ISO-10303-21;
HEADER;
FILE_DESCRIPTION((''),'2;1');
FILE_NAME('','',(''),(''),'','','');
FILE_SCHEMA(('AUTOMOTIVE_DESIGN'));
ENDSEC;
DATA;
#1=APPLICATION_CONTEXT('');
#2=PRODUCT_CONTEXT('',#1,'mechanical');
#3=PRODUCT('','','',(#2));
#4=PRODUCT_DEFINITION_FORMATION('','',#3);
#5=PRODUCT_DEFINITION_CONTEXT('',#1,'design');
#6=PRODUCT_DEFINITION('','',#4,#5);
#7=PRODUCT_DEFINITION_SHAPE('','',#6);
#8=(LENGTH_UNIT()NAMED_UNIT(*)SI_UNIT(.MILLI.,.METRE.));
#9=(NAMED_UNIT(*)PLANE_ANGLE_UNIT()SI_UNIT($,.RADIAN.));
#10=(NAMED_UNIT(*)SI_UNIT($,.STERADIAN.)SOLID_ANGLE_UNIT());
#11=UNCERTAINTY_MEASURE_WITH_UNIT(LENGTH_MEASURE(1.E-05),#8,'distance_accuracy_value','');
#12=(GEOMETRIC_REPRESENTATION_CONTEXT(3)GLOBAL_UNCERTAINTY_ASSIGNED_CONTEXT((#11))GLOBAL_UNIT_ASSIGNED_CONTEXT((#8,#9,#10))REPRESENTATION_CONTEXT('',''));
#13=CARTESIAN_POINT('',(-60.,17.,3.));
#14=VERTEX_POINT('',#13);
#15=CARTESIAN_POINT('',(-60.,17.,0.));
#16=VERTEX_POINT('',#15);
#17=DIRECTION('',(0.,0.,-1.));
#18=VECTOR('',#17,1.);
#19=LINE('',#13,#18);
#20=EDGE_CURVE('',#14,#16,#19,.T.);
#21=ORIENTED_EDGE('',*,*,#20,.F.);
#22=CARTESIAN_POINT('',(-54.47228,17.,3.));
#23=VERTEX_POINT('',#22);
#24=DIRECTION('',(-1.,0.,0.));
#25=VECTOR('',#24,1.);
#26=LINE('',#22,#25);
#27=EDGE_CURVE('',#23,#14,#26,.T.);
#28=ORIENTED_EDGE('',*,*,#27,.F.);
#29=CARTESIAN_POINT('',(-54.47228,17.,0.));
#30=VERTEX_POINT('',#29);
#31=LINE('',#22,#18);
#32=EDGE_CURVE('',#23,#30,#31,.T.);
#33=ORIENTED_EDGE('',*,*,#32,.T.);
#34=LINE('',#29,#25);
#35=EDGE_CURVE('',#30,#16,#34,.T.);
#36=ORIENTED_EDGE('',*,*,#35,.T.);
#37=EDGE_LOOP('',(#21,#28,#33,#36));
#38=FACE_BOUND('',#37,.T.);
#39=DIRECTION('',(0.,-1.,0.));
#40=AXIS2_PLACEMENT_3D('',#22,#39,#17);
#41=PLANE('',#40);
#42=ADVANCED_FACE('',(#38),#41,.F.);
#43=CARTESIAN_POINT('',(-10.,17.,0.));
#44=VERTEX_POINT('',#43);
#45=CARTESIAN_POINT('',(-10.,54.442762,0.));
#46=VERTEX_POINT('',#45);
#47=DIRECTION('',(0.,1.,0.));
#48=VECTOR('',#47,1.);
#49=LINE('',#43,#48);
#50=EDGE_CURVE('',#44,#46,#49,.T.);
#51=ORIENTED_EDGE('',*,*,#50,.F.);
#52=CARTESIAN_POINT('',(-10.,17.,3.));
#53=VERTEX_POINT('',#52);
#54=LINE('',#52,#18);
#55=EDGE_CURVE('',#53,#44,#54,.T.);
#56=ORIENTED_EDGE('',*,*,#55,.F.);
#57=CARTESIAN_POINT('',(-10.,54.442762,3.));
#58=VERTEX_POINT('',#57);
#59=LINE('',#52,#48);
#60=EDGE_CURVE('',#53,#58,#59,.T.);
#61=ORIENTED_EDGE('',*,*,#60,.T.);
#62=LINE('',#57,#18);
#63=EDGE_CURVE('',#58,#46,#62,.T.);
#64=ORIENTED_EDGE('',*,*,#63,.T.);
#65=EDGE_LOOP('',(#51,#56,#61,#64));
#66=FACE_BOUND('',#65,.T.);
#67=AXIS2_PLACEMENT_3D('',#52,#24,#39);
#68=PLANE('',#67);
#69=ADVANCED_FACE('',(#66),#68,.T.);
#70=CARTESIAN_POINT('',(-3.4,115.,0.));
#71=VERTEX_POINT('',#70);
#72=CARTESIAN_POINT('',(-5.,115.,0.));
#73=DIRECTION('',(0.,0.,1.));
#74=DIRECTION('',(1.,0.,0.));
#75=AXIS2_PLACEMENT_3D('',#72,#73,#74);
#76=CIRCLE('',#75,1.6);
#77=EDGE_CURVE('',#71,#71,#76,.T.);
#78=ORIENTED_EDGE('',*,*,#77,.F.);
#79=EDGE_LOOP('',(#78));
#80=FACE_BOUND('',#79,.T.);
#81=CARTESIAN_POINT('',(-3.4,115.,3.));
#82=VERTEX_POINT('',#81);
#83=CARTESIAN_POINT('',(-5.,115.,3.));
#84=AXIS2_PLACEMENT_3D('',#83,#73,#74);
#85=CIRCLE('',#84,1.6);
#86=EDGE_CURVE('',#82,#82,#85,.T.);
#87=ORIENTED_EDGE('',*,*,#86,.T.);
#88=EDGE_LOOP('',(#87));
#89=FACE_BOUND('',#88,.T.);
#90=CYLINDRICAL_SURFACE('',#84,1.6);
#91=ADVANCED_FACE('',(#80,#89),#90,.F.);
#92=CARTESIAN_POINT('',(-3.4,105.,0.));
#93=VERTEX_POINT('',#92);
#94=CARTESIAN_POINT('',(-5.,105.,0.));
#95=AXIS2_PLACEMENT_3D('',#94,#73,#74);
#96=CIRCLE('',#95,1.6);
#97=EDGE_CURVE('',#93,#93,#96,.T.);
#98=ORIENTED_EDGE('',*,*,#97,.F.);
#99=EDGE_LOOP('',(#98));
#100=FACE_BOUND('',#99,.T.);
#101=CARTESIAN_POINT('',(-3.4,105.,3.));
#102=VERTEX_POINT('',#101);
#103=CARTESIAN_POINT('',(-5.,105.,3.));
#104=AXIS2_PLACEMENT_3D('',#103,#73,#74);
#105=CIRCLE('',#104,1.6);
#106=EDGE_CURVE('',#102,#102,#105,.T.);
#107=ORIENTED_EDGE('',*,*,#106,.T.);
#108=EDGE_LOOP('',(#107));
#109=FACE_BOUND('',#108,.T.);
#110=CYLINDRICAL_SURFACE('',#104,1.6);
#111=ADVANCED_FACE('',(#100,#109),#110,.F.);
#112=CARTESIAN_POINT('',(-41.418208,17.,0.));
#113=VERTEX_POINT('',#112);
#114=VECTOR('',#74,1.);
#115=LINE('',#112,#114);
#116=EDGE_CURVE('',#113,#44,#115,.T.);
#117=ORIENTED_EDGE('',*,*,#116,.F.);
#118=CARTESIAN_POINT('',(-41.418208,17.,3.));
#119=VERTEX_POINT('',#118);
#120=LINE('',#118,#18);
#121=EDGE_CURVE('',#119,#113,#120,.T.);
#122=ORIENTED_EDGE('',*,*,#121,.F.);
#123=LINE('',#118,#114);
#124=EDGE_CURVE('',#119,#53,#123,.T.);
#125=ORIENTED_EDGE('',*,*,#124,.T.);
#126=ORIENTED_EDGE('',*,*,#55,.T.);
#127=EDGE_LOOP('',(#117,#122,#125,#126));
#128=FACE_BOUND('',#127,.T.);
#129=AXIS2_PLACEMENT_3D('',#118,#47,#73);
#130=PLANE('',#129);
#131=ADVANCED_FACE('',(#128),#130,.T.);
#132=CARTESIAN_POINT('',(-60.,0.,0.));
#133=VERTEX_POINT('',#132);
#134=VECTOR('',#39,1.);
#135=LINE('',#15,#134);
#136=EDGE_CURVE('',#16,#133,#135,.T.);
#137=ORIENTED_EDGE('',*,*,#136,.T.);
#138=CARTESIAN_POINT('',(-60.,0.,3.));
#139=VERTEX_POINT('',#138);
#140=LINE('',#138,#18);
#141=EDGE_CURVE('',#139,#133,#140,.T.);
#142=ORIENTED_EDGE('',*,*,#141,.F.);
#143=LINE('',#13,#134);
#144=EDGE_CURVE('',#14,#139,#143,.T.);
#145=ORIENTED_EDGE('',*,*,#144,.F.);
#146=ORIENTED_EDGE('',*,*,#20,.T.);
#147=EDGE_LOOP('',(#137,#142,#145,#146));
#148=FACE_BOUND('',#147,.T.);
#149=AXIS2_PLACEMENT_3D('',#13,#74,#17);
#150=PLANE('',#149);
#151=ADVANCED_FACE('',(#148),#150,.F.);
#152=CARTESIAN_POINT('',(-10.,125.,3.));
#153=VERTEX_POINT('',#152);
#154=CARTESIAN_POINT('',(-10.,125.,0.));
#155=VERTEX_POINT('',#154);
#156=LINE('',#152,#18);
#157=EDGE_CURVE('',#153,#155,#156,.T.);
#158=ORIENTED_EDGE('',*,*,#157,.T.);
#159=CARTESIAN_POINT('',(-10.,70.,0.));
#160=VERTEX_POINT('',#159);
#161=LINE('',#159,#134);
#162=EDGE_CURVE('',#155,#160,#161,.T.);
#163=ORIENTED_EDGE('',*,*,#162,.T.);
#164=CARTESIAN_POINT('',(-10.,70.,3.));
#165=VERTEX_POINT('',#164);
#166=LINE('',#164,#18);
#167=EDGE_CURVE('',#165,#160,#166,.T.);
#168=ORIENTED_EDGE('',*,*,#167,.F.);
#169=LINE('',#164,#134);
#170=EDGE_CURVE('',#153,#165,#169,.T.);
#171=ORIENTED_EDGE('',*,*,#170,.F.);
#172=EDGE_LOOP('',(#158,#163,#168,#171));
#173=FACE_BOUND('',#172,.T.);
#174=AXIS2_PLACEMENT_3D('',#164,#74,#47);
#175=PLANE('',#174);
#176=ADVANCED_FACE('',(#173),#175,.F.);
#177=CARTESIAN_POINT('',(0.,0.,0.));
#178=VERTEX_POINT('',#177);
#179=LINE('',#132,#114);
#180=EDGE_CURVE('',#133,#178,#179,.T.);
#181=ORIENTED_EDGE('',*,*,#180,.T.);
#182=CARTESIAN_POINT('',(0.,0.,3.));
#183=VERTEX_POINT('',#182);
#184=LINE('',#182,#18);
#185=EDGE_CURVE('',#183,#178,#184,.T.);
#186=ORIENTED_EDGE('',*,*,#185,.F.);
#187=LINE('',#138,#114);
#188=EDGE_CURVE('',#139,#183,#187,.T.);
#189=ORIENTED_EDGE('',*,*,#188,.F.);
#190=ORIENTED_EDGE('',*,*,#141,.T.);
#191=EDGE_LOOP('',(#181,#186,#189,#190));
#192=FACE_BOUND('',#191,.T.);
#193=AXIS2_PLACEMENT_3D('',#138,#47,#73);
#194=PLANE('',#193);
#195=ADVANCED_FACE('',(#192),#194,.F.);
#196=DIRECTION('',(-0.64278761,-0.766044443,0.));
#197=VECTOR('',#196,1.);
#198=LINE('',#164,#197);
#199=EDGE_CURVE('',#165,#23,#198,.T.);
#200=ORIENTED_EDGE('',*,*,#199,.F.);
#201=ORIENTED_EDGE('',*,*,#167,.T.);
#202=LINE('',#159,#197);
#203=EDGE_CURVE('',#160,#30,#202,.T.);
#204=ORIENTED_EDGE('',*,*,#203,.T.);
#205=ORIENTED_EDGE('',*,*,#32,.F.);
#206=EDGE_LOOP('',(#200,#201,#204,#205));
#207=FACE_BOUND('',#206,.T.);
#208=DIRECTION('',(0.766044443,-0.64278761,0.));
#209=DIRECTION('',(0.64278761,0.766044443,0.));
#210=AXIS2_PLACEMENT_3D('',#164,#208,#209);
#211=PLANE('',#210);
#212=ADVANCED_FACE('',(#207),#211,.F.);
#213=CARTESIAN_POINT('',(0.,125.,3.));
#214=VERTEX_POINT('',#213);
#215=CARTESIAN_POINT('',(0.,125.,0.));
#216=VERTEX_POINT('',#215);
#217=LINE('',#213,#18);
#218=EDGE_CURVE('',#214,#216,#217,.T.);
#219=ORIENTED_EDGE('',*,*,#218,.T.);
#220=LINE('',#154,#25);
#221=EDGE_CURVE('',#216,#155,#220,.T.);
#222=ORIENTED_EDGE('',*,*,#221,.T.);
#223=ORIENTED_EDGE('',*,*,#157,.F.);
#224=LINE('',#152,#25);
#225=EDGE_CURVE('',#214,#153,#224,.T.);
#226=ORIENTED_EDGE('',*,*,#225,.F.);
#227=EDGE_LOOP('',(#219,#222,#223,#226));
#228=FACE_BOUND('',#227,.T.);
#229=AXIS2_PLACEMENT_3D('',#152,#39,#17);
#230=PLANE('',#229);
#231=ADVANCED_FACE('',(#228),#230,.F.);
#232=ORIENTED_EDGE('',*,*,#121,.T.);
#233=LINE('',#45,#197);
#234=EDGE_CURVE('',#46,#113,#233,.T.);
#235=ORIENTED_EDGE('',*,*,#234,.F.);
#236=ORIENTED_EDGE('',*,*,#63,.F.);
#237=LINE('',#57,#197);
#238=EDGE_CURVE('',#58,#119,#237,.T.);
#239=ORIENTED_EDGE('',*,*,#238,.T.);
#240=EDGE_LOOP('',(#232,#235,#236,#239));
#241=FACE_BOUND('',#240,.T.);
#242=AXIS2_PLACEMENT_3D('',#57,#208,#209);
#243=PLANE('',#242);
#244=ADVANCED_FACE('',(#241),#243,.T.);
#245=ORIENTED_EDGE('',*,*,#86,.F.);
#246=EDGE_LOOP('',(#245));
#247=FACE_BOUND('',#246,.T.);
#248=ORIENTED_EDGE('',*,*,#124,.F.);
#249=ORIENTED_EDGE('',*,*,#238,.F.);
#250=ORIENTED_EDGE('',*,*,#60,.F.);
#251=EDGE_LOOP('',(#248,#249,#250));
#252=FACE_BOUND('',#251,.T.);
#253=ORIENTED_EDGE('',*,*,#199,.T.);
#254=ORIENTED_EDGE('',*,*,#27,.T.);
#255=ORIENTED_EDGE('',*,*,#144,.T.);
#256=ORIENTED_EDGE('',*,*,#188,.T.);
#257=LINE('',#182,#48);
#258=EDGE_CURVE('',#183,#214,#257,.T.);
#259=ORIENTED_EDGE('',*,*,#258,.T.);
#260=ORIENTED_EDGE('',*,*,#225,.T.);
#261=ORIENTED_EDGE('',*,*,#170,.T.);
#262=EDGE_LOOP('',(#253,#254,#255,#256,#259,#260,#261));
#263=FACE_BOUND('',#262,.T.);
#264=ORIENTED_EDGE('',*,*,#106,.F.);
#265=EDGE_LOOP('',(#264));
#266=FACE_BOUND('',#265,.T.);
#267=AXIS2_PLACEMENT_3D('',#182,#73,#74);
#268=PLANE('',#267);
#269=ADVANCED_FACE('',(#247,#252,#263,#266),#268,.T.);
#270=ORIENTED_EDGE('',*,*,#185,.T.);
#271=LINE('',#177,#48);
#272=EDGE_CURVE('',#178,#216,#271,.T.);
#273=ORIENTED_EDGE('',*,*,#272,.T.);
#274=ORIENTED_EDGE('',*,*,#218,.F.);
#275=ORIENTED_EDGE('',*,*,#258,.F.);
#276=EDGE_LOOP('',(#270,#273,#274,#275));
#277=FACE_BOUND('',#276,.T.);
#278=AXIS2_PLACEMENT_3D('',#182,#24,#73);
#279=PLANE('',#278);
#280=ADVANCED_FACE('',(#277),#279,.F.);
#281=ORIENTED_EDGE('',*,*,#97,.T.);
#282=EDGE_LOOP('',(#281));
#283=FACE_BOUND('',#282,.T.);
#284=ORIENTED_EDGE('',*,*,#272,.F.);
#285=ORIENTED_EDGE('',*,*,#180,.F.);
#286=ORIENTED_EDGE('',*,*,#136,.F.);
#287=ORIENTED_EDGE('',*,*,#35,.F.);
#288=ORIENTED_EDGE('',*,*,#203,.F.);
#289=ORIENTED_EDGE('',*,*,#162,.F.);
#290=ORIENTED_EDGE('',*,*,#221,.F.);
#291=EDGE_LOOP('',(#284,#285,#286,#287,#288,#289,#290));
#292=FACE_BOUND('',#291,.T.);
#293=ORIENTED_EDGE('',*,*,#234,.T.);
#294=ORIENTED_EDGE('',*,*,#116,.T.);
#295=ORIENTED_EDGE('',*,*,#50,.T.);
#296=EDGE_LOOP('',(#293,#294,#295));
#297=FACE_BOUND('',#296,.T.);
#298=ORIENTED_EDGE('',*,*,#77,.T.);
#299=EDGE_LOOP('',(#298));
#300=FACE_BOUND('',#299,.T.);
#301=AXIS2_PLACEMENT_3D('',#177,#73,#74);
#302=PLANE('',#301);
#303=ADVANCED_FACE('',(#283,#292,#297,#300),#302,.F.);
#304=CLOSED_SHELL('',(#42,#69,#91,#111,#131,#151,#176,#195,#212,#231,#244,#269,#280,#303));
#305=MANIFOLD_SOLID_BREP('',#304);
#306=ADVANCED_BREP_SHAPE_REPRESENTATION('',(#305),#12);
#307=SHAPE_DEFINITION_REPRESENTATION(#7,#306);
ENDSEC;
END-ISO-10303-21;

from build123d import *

# Parameters (mm, degrees)
AUFSATZ_LINEAR_AUSTRAGEN1_DEPTH      = 3
F_3_2_3_2_DURCHMESSER_BOHRUNG1_D     = 3.2
F_3_2_3_2_DURCHMESSER_BOHRUNG1_DEPTH = 8.5
F_3_2_3_2_DURCHMESSER_BOHRUNG1_TIP   = 0.96137699


with BuildPart() as part:
    # Skizze1 → Aufsatz-Linear austragen1 (new body)
    with BuildSketch(Plane.XY):
        Polygon((-10, 70), (-54.472280452, 17), (-60, 17), (-60, 0), (0, 0), (0, 125), (-10, 125), align=None)
        Polygon((-10, 54.442761731), (-41.418207559, 17), (-10, 17), align=None, mode=Mode.SUBTRACT)
    extrude(amount=AUFSATZ_LINEAR_AUSTRAGEN1_DEPTH)

    # Ø3.2 (3.2) Durchmesser Bohrung1
    with Locations(Plane.XY.offset(3)):
        with Locations((-5, 115), (-5, 105)):
            Hole(F_3_2_3_2_DURCHMESSER_BOHRUNG1_D / 2, depth=F_3_2_3_2_DURCHMESSER_BOHRUNG1_DEPTH)
            with Locations((0, 0, -(F_3_2_3_2_DURCHMESSER_BOHRUNG1_DEPTH + F_3_2_3_2_DURCHMESSER_BOHRUNG1_TIP / 2))):  # 118° drill point
                Cone(0, F_3_2_3_2_DURCHMESSER_BOHRUNG1_D / 2, F_3_2_3_2_DURCHMESSER_BOHRUNG1_TIP, mode=Mode.SUBTRACT)


solid = part.part
